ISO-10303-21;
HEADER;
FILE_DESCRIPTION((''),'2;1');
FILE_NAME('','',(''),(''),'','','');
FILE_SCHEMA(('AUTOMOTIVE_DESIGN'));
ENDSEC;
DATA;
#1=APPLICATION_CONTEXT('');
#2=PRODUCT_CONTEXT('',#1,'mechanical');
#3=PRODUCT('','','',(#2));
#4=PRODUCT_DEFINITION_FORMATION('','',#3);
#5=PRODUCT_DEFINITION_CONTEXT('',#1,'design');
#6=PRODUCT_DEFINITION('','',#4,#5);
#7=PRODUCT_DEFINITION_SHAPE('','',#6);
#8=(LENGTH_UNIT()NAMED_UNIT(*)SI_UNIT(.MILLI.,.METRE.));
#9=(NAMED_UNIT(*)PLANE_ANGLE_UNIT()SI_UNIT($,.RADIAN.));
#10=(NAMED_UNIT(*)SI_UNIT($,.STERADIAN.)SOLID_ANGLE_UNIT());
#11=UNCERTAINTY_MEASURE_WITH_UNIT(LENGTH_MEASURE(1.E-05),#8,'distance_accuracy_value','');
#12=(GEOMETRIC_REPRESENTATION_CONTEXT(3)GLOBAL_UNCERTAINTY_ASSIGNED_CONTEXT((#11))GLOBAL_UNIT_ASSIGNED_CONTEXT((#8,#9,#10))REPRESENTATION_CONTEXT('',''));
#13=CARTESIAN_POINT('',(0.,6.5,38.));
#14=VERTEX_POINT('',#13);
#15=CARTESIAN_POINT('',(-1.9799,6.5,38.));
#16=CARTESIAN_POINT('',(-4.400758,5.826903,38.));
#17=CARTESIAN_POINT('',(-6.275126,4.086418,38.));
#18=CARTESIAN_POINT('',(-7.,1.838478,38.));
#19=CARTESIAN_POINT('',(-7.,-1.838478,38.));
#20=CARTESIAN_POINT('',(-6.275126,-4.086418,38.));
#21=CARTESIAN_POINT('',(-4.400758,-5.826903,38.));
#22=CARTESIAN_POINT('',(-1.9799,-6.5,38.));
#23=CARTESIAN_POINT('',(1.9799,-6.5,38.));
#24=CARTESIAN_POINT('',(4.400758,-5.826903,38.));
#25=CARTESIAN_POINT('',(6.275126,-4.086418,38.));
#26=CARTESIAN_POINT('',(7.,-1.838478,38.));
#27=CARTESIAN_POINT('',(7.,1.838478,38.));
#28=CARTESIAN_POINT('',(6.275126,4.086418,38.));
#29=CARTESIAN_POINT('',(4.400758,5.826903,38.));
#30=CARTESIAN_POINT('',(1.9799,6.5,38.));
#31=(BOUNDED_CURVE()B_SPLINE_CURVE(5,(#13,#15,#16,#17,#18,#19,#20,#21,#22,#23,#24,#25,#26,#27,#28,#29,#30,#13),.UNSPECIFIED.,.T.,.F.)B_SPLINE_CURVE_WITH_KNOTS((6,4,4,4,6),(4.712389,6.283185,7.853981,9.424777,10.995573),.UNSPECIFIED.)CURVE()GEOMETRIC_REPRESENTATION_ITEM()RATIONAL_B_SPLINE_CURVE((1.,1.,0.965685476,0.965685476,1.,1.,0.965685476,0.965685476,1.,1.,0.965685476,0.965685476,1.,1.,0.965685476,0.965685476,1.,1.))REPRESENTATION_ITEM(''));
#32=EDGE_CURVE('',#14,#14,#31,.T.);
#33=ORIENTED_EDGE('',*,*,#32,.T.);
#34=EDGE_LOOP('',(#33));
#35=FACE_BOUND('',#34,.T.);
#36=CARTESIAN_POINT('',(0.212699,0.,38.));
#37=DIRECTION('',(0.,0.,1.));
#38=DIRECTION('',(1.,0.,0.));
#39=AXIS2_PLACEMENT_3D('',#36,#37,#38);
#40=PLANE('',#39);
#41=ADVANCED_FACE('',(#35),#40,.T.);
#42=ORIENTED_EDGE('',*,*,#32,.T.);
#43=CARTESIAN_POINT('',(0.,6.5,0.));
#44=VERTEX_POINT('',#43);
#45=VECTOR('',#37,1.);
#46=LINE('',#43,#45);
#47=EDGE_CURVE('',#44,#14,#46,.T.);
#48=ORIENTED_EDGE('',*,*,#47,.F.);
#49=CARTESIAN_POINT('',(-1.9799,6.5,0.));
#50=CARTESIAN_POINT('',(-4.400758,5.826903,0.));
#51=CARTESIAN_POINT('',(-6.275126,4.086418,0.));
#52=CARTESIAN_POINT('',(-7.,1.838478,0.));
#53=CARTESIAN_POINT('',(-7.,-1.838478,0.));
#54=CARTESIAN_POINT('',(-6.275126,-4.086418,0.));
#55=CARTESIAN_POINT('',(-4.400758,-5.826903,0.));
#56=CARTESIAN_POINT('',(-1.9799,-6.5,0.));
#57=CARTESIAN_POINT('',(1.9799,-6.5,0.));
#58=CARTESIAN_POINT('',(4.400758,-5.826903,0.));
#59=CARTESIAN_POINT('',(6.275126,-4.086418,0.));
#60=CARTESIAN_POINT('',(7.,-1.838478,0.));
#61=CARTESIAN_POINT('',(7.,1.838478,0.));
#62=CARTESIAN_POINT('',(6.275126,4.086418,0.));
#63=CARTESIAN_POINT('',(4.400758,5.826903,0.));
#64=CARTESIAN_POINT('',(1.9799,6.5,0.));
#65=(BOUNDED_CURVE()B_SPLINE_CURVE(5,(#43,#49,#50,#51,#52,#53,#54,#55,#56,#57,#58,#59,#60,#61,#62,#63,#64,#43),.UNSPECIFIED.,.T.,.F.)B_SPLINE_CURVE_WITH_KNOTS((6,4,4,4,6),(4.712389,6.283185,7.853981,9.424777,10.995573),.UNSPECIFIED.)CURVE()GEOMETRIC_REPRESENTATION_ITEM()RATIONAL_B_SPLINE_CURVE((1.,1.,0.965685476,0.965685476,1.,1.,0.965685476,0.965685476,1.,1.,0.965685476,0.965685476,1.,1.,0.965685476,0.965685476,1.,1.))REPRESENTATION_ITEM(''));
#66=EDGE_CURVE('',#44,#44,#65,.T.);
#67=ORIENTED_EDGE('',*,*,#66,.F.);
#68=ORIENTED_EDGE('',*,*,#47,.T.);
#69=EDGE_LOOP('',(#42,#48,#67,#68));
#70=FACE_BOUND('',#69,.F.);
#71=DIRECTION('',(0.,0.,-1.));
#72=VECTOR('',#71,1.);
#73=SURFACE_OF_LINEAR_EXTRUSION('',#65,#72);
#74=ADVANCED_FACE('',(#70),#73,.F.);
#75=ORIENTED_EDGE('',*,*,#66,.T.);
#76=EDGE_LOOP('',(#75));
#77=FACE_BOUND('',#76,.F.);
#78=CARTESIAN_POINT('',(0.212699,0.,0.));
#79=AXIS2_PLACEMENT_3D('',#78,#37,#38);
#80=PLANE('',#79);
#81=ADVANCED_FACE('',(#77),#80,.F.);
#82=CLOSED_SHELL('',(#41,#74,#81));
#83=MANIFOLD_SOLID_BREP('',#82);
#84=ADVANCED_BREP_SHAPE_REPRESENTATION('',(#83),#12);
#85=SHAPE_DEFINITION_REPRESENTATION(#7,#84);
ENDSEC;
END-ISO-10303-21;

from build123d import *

# Parameters (mm, degrees)
F1_DEPTH = 38


with BuildPart() as f1:
    # F0 (on Top) → F1 (new body)
    with BuildSketch(Plane.XY):
        with BuildLine():
            ThreePointArc((0, -6.5), (4.596194, -4.596194), (6.5, 0))
            ThreePointArc((6.5, 0), (4.596194, 4.596194), (0, 6.5))
            ThreePointArc((0, 6.5), (-6.5, 0), (0, -6.5))
        make_face()
        with BuildLine():
            ThreePointArc((0, 6.5), (4.596194, 4.596194), (6.5, 0))
            ThreePointArc((6.5, 0), (4.596194, -4.596194), (0, -6.5))
            add(Edge.make_bspline(
                [(0, -6.5), (7, -6.5), (7, 0), (7, 6.5), (0, 6.5)],
                knots=[1.570796, 1.570796, 1.570796, 3.141593, 3.141593, 4.712389, 4.712389, 4.712389], degree=2, weights=[1, 0.707107, 1, 0.707107, 1]))
        make_face()
        with BuildLine():
            ThreePointArc((0, -6.5), (-6.5, 0), (0, 6.5))
            add(Edge.make_bspline(
                [(0, 6.5), (-7, 6.5), (-7, 0)],
                knots=[4.712389, 4.712389, 4.712389, 6.283185, 6.283185, 6.283185], degree=2, weights=[1, 0.707107, 1]))
            add(Edge.make_bspline(
                [(-7, 0), (-7, -6.5), (0, -6.5)],
                knots=[0, 0, 0, 1.570796, 1.570796, 1.570796], degree=2, weights=[1, 0.707107, 1]))
        make_face()
    extrude(amount=F1_DEPTH)


solid = f1.part
